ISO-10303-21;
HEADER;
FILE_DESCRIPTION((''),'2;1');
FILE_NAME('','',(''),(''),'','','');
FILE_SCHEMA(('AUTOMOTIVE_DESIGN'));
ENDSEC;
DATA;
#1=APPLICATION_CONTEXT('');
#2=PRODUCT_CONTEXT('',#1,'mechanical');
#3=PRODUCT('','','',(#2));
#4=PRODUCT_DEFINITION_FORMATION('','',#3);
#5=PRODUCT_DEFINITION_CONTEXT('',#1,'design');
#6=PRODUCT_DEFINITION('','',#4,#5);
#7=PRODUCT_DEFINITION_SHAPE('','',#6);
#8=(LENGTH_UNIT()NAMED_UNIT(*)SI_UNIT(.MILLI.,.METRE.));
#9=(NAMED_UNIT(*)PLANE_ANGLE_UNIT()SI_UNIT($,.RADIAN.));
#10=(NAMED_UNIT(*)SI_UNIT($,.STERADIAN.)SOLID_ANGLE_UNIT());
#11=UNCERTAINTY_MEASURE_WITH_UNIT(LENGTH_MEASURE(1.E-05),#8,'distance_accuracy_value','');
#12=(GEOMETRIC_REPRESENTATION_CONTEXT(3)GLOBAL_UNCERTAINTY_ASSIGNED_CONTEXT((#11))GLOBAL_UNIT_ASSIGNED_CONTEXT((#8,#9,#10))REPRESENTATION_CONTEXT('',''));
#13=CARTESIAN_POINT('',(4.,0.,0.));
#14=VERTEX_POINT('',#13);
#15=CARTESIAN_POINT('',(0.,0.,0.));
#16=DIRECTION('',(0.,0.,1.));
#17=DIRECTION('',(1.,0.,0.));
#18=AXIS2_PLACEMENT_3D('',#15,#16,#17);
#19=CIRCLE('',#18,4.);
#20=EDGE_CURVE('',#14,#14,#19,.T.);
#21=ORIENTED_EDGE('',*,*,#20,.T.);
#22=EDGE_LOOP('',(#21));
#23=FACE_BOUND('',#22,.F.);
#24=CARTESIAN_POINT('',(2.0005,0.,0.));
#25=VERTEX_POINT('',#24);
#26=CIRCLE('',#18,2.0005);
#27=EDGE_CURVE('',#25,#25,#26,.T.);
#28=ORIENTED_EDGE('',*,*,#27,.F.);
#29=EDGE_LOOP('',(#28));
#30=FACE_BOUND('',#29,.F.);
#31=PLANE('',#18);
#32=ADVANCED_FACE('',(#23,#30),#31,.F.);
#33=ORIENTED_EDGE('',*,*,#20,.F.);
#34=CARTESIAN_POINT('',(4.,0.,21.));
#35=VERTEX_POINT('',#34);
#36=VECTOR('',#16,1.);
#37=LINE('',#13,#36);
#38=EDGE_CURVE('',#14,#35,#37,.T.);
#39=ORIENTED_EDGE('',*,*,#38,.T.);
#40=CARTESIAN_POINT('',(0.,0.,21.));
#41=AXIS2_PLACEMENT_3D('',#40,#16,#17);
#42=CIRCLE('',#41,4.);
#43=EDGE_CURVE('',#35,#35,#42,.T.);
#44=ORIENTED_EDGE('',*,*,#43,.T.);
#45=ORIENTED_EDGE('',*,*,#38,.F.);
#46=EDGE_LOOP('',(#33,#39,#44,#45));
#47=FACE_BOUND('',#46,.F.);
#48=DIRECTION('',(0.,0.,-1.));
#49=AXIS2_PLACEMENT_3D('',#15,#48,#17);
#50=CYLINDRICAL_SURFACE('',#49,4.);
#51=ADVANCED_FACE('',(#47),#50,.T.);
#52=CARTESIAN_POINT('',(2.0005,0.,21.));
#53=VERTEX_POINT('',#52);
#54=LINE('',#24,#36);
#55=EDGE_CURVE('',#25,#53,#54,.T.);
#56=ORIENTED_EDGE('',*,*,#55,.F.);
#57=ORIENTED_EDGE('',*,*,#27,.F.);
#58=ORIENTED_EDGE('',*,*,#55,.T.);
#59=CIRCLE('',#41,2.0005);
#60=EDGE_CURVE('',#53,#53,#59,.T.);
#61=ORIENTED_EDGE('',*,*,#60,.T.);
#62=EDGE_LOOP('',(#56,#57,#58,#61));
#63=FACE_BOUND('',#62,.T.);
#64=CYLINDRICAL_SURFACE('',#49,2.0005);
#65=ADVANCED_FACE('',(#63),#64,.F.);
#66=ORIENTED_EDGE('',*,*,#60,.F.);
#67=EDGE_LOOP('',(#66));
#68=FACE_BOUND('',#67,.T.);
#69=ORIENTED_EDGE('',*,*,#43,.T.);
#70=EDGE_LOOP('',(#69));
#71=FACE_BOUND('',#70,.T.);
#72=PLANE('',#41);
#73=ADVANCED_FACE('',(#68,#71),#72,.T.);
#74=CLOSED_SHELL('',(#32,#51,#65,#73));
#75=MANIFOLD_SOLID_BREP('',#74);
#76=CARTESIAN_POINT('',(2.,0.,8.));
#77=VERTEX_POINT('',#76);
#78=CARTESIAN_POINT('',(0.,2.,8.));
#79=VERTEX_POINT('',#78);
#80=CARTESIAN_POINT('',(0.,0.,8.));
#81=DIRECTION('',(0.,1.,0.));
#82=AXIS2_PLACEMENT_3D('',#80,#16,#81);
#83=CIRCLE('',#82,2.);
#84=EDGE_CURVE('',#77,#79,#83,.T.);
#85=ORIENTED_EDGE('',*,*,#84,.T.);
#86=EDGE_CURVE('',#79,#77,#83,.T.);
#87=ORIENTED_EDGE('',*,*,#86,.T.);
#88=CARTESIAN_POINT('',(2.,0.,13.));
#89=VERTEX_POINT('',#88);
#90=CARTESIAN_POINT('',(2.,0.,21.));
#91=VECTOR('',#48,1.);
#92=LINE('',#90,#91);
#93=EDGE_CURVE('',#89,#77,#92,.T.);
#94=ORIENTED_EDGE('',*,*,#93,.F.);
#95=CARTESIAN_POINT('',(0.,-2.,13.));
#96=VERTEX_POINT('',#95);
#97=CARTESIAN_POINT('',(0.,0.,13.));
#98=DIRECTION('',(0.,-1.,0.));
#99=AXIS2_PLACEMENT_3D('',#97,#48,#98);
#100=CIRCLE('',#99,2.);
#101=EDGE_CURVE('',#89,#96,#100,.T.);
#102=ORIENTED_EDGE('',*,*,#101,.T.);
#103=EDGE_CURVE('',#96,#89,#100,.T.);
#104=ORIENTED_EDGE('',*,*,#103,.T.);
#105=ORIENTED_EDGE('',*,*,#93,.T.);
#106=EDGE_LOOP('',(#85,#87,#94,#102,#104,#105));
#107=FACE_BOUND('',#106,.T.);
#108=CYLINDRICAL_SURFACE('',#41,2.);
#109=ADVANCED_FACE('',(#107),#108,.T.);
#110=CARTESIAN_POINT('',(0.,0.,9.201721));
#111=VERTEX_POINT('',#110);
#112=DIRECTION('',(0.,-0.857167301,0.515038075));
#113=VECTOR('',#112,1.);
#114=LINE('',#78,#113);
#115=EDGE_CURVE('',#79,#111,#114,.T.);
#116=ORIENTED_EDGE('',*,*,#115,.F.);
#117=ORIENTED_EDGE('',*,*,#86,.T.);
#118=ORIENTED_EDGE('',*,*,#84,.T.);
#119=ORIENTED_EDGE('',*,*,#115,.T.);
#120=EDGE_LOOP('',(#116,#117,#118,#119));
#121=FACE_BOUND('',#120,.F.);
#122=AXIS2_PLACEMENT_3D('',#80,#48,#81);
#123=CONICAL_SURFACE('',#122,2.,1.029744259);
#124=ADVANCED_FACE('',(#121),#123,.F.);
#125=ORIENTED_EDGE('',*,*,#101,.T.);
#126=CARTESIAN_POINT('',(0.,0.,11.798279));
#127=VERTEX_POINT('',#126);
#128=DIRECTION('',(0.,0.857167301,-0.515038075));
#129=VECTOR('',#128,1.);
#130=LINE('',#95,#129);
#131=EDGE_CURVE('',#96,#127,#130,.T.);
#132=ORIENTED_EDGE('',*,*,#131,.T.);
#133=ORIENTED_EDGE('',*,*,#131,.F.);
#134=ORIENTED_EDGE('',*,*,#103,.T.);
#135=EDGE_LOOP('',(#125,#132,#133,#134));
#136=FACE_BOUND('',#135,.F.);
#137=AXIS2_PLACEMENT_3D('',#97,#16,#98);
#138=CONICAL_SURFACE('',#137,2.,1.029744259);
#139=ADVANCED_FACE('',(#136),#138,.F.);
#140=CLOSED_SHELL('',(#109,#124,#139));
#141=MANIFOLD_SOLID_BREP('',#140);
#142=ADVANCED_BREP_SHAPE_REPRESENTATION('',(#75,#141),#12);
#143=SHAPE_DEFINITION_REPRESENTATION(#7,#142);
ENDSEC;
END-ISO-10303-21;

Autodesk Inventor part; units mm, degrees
ref_plane "YZ Plane" through (0, 0, 0) normal (1, 0, 0) x (0, 1, 0)
ref_plane "XZ Plane" through (0, 0, 0) normal (0, 1, 0) x (-1, 0, 0)
ref_plane "XY Plane" through (0, 0, 0) normal (0, 0, 1) x (1, 0, 0)
sketch "スケッチ1" plane through (0, 0, 0) normal (0, 0, 1) x (1, 0, 0)
  circle A0 centre (0, 0) radius 4
  circle A1 centre (0, 0) radius 2.0005
  dimension "d0" = 8
  dimension "d1" = 4.001
extrude "押し出し1" add sketch "スケッチ1" along normal blind 21
sketch "スケッチ2" plane through (0, 0, 21) normal (0, 0, 1) x (1, 0, 0)
  circle A0 centre (0, 0) radius 2
  dimension "d4" = 4
extrude "押し出し2" add sketch "スケッチ2" against normal blind 20
hole "穴1" at (0, 0, 21) direction (0, 0, -1) diameter 4 depth 8 tip angle 118
hole "穴2" at (0, 0, 0) direction (0, 0, 1) diameter 4 depth 8 tip angle 118
properties part number "スペーサーm4-21　簡易筒型" material "アルミニウム 2014-T4"
